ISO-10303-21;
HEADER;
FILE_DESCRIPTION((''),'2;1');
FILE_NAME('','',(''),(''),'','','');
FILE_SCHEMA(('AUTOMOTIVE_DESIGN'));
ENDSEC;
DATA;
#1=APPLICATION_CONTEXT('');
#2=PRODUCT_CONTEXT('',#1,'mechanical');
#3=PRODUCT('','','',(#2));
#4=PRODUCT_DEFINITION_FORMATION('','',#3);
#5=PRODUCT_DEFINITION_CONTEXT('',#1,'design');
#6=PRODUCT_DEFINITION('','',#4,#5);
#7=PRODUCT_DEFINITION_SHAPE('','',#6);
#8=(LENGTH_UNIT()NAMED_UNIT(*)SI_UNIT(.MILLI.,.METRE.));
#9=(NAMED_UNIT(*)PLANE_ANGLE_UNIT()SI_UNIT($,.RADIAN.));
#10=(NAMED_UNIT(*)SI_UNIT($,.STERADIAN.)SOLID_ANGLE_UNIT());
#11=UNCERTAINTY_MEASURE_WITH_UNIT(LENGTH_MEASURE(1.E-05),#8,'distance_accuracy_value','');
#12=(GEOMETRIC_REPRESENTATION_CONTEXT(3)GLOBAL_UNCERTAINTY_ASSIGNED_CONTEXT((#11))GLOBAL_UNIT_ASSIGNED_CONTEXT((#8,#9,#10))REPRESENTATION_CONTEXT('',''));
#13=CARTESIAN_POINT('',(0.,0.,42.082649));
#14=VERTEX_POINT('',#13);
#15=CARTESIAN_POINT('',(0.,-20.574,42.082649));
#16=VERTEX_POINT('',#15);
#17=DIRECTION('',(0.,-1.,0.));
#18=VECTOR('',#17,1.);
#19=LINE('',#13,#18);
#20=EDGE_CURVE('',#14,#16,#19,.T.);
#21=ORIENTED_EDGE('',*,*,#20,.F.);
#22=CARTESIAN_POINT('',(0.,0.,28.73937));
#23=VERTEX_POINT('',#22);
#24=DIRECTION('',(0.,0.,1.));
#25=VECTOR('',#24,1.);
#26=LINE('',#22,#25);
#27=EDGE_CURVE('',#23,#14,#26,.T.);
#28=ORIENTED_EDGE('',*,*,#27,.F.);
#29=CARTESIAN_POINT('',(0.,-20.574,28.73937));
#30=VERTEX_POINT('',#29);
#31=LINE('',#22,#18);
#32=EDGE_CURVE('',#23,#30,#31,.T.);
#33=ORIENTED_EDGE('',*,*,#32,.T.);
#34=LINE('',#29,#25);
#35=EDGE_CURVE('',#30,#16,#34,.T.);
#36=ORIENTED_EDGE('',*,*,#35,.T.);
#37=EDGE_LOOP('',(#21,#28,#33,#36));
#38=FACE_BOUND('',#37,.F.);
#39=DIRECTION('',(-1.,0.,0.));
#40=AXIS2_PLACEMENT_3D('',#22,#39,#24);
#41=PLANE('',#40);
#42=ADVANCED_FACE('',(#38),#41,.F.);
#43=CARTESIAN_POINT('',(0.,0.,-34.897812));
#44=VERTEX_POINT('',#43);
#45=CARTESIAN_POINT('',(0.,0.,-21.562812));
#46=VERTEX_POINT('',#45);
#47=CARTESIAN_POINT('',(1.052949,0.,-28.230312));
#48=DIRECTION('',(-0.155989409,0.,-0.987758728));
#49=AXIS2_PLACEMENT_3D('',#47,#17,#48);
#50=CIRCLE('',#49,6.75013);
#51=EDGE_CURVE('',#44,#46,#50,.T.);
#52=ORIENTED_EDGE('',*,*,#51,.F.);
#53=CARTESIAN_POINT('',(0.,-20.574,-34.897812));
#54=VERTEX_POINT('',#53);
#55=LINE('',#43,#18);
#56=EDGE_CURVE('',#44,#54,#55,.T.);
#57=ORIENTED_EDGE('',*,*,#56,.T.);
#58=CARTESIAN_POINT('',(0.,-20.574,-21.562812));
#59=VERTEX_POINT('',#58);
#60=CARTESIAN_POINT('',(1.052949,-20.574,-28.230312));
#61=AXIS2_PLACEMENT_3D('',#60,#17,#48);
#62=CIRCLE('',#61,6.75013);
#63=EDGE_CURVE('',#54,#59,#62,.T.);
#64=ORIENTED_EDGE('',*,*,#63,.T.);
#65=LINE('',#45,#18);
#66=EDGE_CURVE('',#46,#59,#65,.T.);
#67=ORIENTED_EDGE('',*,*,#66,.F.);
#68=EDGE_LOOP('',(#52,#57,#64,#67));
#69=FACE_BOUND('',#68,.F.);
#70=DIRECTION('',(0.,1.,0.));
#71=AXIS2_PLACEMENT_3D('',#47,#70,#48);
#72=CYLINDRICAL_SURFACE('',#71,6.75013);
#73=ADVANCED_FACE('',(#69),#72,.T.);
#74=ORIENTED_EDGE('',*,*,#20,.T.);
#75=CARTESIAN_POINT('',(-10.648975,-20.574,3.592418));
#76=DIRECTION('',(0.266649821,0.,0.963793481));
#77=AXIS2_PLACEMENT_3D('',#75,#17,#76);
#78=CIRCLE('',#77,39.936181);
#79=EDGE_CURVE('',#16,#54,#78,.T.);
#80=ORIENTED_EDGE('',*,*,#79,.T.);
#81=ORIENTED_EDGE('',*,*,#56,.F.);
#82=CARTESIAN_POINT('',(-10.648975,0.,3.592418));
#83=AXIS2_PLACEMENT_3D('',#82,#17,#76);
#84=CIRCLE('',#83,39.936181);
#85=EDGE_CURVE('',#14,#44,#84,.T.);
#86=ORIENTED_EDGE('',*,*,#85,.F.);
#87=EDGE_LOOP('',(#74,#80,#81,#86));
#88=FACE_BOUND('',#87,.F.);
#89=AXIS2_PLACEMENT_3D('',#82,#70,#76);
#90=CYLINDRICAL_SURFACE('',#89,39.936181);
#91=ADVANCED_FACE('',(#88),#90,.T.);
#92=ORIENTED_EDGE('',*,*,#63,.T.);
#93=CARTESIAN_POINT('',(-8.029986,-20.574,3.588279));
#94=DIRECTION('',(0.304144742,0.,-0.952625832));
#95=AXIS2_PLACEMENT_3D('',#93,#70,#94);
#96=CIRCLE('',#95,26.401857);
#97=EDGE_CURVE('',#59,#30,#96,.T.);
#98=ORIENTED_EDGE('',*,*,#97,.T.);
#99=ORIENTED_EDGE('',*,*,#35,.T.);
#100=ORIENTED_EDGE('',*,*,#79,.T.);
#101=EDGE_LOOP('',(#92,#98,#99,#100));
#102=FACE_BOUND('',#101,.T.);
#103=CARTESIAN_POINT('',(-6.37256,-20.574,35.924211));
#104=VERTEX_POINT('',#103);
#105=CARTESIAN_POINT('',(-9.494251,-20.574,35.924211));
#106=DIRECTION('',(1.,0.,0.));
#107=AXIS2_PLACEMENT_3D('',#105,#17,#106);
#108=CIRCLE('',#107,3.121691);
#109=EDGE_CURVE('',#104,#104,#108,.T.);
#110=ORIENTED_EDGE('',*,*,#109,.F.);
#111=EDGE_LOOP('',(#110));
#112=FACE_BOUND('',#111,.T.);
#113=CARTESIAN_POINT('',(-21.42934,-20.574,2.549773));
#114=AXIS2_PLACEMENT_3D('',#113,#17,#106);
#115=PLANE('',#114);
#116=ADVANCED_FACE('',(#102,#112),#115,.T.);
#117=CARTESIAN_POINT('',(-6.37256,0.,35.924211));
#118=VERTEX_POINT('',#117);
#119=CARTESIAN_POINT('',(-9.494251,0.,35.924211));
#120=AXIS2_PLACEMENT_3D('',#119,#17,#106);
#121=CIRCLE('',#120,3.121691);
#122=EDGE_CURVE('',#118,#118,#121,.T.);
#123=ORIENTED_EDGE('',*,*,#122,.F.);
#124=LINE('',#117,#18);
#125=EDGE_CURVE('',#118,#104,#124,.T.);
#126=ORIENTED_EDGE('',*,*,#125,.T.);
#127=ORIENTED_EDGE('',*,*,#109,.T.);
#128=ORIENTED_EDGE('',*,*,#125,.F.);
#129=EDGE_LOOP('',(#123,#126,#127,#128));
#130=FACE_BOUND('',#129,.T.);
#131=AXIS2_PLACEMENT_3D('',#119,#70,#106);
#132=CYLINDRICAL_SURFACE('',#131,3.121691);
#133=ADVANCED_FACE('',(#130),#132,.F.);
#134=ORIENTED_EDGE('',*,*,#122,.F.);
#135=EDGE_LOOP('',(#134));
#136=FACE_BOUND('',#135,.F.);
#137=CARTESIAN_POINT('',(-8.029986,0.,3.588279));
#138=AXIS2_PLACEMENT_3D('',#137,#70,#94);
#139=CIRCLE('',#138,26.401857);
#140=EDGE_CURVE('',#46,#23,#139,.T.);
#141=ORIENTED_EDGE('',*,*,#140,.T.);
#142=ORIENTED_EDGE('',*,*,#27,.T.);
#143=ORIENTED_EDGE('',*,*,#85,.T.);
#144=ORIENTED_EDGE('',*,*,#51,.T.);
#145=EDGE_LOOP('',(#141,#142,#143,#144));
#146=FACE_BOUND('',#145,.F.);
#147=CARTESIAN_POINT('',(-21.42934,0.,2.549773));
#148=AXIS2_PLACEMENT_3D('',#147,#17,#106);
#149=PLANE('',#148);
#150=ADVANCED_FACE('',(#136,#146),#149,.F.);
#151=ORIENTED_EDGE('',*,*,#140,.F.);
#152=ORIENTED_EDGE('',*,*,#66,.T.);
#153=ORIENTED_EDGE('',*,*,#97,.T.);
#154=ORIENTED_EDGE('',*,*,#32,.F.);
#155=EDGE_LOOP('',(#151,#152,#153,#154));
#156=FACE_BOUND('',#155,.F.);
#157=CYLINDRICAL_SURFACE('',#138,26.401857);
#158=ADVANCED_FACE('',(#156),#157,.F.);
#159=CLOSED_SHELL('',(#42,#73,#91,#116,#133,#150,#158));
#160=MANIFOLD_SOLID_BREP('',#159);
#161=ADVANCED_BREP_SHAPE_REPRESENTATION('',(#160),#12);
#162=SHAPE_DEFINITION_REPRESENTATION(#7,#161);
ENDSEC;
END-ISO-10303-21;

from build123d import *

# Parameters (mm, degrees)
F0_R     = 3.121691
F1_DEPTH = 20.574


with BuildPart() as f1:
    # F0 (on Front) → F1 (new body)
    with BuildSketch(Plane.XZ):
        with BuildLine():
            Line((0, 28.73937), (0, 42.082649))
            ThreePointArc((0, 42.082649), (-50.585156, 3.592419), (0, -34.897812))
            ThreePointArc((0, -34.897812), (7.803079, -28.230312), (0, -21.562812))
            ThreePointArc((0, -21.562812), (-34.431843, 3.588279), (0, 28.73937))
        make_face()
        with Locations((-9.494251, 35.924211)):
            Circle(F0_R, mode=Mode.SUBTRACT)
    extrude(amount=F1_DEPTH)


solid = f1.part
